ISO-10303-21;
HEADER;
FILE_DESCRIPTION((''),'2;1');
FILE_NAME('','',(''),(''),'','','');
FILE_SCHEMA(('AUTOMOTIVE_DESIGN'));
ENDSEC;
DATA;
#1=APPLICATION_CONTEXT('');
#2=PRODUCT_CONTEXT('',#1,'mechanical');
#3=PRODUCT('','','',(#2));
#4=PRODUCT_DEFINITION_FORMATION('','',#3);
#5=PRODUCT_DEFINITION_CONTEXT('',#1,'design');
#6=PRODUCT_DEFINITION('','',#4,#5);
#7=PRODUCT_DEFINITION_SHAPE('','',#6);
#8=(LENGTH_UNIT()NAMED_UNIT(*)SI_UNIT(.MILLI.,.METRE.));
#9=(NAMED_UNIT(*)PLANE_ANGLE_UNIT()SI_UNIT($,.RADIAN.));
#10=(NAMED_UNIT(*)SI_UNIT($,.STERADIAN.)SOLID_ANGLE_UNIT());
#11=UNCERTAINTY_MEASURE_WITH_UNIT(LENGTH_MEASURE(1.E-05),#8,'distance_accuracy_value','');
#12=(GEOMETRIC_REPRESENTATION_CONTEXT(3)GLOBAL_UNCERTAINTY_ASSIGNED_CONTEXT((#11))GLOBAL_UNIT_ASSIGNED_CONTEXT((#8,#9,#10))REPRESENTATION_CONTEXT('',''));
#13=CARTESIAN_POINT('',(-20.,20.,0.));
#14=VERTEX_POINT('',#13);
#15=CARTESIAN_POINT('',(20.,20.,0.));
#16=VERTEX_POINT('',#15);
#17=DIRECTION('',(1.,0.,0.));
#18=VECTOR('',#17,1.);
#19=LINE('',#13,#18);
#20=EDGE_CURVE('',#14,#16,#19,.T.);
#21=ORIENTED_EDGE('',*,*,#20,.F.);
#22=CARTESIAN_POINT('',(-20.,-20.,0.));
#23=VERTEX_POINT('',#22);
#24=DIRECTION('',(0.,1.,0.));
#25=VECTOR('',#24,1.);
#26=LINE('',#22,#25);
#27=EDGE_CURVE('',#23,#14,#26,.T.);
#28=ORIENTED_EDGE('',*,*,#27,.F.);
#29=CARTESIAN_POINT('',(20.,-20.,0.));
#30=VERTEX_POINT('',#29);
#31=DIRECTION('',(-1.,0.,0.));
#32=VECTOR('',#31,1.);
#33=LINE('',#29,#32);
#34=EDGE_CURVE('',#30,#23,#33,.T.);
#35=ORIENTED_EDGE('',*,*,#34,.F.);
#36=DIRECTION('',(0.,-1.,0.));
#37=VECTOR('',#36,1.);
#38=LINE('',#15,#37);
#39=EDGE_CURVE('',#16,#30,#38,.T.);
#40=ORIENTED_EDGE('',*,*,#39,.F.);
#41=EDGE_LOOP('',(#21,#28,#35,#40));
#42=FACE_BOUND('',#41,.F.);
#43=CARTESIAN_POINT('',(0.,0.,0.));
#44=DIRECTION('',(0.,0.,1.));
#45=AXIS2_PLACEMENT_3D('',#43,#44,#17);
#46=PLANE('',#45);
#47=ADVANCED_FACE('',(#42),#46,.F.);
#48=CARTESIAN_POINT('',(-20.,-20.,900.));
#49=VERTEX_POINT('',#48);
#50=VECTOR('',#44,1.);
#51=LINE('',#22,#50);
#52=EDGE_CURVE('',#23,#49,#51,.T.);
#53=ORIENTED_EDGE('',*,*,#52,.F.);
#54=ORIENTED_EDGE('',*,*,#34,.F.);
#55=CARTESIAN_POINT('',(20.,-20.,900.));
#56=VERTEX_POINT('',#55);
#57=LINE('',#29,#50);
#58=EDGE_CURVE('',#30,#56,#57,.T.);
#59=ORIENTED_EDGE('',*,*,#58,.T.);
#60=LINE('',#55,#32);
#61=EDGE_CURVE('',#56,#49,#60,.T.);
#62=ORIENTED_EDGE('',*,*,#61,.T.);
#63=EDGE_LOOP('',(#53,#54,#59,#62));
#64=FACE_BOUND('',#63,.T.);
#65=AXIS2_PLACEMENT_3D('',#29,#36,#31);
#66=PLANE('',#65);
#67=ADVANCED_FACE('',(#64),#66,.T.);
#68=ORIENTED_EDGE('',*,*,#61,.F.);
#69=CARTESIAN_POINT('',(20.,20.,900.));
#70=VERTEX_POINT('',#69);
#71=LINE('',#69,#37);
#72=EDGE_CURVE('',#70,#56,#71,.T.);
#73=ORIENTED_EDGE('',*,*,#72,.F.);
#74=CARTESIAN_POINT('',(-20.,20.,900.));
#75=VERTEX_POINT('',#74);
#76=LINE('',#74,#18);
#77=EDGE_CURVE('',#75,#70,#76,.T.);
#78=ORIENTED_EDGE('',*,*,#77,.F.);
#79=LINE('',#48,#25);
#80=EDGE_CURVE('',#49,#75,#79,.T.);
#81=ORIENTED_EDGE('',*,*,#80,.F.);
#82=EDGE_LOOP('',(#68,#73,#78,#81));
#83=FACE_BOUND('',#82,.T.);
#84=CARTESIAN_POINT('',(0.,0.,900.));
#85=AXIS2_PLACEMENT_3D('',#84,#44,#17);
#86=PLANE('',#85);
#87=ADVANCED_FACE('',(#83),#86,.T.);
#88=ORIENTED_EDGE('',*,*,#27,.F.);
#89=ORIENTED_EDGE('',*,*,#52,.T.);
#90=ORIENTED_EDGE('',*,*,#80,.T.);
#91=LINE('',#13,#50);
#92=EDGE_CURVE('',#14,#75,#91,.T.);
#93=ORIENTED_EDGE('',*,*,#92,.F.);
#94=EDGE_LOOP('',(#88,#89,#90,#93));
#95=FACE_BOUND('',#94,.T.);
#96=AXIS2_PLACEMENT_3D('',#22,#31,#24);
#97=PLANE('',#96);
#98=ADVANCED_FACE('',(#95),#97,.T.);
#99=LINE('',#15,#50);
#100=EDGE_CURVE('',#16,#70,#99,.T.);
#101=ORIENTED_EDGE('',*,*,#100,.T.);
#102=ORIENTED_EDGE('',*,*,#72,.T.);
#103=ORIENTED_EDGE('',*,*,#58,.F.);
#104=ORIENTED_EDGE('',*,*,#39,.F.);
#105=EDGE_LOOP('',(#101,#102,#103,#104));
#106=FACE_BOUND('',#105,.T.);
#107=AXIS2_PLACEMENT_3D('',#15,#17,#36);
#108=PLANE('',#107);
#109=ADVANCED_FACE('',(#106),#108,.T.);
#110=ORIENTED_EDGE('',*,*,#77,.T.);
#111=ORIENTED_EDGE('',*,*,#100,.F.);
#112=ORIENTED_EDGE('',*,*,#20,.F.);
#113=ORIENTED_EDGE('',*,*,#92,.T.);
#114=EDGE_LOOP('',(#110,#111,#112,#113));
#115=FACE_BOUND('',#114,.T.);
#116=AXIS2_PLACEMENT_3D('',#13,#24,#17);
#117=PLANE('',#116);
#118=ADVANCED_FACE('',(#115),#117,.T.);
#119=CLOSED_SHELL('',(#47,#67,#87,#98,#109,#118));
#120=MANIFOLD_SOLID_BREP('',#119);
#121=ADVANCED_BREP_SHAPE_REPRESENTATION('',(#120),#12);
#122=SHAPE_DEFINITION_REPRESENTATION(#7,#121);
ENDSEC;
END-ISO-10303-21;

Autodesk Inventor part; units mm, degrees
ref_plane "YZ Plane" through (0, 0, 0) normal (1, 0, 0) x (0, 1, 0)
ref_plane "XZ Plane" through (0, 0, 0) normal (0, 1, 0) x (-1, 0, 0)
ref_plane "XY Plane" through (0, 0, 0) normal (0, 0, 1) x (1, 0, 0)
sketch "Sketch1" plane through (0, 0, 0) normal (0, 0, 1) x (1, 0, 0)
  line L0 (-20, 20) -> (20, 20)
  line L1 (20, 20) -> (20, -20)
  line L2 (20, -20) -> (-20, -20)
  line L3 (-20, -20) -> (-20, 20)
  line L4 (-20, 20) -> (20, -20) construction
  point P0 (0, 0)
  point P1 (0, 0)
  dimension "d0" = 40
  dimension "d1" = 40
extrude "Extrusion1" add sketch "Sketch1" along normal blind 900
properties part number "Нога для постели №2"
